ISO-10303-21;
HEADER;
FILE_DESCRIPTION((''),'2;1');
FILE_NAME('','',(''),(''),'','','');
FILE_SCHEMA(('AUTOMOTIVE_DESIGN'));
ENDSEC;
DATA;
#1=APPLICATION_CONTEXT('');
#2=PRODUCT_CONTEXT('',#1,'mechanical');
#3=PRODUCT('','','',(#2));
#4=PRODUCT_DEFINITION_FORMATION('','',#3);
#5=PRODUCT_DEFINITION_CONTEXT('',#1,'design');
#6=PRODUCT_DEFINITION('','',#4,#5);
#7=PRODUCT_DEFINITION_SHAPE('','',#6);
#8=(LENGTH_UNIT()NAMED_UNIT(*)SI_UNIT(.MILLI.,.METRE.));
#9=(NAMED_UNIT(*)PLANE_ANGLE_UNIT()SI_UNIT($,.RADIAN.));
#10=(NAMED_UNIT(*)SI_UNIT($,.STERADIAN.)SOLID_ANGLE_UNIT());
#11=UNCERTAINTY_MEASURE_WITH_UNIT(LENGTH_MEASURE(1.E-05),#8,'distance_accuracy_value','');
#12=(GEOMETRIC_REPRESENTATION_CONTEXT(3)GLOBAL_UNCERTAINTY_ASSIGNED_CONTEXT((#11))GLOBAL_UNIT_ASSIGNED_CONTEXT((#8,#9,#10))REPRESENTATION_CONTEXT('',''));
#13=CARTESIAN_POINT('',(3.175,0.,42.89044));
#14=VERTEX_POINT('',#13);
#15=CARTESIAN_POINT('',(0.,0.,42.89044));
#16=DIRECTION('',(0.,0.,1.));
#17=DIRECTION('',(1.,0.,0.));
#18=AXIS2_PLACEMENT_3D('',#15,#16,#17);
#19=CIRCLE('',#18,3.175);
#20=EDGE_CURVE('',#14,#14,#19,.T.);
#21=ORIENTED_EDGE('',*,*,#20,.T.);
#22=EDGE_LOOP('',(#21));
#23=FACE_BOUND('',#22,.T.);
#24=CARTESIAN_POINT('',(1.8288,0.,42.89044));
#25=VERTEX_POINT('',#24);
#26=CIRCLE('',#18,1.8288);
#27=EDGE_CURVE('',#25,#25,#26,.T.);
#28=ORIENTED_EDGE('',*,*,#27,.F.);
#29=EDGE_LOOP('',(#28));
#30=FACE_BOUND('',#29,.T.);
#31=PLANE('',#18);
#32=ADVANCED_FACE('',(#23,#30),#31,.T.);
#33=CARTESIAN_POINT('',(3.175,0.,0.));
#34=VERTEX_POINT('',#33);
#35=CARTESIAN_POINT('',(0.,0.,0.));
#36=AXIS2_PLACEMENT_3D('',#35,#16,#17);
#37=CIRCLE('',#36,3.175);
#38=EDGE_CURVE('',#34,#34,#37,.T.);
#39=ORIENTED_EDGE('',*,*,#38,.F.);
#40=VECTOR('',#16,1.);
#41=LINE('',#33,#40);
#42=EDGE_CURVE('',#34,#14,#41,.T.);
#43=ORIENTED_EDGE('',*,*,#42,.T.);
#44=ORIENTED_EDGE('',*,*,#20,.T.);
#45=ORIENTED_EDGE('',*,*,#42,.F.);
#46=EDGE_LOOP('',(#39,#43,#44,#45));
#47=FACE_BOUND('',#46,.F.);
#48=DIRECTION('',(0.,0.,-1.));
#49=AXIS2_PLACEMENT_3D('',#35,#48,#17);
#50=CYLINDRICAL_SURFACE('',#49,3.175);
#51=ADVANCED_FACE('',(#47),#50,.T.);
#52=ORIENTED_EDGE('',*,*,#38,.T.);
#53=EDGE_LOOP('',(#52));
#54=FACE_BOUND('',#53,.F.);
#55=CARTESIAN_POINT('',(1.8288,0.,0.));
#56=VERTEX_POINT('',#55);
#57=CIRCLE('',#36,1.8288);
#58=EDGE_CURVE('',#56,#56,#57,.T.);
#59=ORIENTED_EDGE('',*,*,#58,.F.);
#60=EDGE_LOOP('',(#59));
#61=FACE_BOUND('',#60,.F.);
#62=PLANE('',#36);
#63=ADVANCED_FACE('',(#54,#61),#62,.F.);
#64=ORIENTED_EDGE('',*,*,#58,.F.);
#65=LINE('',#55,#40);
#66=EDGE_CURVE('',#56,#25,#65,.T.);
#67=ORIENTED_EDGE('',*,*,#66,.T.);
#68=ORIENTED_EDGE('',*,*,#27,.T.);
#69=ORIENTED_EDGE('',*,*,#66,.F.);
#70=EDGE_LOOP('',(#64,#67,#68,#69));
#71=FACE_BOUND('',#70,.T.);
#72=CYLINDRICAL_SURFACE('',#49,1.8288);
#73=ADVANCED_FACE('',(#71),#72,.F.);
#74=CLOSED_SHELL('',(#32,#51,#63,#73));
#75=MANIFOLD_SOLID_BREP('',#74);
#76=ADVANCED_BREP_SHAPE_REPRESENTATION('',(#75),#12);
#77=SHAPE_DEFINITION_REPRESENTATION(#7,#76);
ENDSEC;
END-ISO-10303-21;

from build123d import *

# Parameters (mm, degrees)
F0_R        = 3.175
F0_R_2      = 1.8288
F1_DEPTH    = 50.8
F1_FACE_R   = 3.175
F1_FACE_R_2 = 1.8288
F2_DEPTH    = 7.90956


with BuildPart() as f1:
    # F0 (on Top) → F1 (new body)
    with BuildSketch(Plane.XY):
        Circle(F0_R)
        Circle(F0_R_2, mode=Mode.SUBTRACT)
    extrude(amount=F1_DEPTH)

    # F1_face (on face) → F2 (cut)
    with BuildSketch(Plane.XY.offset(50.8)):
        Circle(F1_FACE_R)
        Circle(F1_FACE_R_2, mode=Mode.SUBTRACT)
    extrude(amount=-F2_DEPTH, mode=Mode.SUBTRACT)


solid = f1.part
